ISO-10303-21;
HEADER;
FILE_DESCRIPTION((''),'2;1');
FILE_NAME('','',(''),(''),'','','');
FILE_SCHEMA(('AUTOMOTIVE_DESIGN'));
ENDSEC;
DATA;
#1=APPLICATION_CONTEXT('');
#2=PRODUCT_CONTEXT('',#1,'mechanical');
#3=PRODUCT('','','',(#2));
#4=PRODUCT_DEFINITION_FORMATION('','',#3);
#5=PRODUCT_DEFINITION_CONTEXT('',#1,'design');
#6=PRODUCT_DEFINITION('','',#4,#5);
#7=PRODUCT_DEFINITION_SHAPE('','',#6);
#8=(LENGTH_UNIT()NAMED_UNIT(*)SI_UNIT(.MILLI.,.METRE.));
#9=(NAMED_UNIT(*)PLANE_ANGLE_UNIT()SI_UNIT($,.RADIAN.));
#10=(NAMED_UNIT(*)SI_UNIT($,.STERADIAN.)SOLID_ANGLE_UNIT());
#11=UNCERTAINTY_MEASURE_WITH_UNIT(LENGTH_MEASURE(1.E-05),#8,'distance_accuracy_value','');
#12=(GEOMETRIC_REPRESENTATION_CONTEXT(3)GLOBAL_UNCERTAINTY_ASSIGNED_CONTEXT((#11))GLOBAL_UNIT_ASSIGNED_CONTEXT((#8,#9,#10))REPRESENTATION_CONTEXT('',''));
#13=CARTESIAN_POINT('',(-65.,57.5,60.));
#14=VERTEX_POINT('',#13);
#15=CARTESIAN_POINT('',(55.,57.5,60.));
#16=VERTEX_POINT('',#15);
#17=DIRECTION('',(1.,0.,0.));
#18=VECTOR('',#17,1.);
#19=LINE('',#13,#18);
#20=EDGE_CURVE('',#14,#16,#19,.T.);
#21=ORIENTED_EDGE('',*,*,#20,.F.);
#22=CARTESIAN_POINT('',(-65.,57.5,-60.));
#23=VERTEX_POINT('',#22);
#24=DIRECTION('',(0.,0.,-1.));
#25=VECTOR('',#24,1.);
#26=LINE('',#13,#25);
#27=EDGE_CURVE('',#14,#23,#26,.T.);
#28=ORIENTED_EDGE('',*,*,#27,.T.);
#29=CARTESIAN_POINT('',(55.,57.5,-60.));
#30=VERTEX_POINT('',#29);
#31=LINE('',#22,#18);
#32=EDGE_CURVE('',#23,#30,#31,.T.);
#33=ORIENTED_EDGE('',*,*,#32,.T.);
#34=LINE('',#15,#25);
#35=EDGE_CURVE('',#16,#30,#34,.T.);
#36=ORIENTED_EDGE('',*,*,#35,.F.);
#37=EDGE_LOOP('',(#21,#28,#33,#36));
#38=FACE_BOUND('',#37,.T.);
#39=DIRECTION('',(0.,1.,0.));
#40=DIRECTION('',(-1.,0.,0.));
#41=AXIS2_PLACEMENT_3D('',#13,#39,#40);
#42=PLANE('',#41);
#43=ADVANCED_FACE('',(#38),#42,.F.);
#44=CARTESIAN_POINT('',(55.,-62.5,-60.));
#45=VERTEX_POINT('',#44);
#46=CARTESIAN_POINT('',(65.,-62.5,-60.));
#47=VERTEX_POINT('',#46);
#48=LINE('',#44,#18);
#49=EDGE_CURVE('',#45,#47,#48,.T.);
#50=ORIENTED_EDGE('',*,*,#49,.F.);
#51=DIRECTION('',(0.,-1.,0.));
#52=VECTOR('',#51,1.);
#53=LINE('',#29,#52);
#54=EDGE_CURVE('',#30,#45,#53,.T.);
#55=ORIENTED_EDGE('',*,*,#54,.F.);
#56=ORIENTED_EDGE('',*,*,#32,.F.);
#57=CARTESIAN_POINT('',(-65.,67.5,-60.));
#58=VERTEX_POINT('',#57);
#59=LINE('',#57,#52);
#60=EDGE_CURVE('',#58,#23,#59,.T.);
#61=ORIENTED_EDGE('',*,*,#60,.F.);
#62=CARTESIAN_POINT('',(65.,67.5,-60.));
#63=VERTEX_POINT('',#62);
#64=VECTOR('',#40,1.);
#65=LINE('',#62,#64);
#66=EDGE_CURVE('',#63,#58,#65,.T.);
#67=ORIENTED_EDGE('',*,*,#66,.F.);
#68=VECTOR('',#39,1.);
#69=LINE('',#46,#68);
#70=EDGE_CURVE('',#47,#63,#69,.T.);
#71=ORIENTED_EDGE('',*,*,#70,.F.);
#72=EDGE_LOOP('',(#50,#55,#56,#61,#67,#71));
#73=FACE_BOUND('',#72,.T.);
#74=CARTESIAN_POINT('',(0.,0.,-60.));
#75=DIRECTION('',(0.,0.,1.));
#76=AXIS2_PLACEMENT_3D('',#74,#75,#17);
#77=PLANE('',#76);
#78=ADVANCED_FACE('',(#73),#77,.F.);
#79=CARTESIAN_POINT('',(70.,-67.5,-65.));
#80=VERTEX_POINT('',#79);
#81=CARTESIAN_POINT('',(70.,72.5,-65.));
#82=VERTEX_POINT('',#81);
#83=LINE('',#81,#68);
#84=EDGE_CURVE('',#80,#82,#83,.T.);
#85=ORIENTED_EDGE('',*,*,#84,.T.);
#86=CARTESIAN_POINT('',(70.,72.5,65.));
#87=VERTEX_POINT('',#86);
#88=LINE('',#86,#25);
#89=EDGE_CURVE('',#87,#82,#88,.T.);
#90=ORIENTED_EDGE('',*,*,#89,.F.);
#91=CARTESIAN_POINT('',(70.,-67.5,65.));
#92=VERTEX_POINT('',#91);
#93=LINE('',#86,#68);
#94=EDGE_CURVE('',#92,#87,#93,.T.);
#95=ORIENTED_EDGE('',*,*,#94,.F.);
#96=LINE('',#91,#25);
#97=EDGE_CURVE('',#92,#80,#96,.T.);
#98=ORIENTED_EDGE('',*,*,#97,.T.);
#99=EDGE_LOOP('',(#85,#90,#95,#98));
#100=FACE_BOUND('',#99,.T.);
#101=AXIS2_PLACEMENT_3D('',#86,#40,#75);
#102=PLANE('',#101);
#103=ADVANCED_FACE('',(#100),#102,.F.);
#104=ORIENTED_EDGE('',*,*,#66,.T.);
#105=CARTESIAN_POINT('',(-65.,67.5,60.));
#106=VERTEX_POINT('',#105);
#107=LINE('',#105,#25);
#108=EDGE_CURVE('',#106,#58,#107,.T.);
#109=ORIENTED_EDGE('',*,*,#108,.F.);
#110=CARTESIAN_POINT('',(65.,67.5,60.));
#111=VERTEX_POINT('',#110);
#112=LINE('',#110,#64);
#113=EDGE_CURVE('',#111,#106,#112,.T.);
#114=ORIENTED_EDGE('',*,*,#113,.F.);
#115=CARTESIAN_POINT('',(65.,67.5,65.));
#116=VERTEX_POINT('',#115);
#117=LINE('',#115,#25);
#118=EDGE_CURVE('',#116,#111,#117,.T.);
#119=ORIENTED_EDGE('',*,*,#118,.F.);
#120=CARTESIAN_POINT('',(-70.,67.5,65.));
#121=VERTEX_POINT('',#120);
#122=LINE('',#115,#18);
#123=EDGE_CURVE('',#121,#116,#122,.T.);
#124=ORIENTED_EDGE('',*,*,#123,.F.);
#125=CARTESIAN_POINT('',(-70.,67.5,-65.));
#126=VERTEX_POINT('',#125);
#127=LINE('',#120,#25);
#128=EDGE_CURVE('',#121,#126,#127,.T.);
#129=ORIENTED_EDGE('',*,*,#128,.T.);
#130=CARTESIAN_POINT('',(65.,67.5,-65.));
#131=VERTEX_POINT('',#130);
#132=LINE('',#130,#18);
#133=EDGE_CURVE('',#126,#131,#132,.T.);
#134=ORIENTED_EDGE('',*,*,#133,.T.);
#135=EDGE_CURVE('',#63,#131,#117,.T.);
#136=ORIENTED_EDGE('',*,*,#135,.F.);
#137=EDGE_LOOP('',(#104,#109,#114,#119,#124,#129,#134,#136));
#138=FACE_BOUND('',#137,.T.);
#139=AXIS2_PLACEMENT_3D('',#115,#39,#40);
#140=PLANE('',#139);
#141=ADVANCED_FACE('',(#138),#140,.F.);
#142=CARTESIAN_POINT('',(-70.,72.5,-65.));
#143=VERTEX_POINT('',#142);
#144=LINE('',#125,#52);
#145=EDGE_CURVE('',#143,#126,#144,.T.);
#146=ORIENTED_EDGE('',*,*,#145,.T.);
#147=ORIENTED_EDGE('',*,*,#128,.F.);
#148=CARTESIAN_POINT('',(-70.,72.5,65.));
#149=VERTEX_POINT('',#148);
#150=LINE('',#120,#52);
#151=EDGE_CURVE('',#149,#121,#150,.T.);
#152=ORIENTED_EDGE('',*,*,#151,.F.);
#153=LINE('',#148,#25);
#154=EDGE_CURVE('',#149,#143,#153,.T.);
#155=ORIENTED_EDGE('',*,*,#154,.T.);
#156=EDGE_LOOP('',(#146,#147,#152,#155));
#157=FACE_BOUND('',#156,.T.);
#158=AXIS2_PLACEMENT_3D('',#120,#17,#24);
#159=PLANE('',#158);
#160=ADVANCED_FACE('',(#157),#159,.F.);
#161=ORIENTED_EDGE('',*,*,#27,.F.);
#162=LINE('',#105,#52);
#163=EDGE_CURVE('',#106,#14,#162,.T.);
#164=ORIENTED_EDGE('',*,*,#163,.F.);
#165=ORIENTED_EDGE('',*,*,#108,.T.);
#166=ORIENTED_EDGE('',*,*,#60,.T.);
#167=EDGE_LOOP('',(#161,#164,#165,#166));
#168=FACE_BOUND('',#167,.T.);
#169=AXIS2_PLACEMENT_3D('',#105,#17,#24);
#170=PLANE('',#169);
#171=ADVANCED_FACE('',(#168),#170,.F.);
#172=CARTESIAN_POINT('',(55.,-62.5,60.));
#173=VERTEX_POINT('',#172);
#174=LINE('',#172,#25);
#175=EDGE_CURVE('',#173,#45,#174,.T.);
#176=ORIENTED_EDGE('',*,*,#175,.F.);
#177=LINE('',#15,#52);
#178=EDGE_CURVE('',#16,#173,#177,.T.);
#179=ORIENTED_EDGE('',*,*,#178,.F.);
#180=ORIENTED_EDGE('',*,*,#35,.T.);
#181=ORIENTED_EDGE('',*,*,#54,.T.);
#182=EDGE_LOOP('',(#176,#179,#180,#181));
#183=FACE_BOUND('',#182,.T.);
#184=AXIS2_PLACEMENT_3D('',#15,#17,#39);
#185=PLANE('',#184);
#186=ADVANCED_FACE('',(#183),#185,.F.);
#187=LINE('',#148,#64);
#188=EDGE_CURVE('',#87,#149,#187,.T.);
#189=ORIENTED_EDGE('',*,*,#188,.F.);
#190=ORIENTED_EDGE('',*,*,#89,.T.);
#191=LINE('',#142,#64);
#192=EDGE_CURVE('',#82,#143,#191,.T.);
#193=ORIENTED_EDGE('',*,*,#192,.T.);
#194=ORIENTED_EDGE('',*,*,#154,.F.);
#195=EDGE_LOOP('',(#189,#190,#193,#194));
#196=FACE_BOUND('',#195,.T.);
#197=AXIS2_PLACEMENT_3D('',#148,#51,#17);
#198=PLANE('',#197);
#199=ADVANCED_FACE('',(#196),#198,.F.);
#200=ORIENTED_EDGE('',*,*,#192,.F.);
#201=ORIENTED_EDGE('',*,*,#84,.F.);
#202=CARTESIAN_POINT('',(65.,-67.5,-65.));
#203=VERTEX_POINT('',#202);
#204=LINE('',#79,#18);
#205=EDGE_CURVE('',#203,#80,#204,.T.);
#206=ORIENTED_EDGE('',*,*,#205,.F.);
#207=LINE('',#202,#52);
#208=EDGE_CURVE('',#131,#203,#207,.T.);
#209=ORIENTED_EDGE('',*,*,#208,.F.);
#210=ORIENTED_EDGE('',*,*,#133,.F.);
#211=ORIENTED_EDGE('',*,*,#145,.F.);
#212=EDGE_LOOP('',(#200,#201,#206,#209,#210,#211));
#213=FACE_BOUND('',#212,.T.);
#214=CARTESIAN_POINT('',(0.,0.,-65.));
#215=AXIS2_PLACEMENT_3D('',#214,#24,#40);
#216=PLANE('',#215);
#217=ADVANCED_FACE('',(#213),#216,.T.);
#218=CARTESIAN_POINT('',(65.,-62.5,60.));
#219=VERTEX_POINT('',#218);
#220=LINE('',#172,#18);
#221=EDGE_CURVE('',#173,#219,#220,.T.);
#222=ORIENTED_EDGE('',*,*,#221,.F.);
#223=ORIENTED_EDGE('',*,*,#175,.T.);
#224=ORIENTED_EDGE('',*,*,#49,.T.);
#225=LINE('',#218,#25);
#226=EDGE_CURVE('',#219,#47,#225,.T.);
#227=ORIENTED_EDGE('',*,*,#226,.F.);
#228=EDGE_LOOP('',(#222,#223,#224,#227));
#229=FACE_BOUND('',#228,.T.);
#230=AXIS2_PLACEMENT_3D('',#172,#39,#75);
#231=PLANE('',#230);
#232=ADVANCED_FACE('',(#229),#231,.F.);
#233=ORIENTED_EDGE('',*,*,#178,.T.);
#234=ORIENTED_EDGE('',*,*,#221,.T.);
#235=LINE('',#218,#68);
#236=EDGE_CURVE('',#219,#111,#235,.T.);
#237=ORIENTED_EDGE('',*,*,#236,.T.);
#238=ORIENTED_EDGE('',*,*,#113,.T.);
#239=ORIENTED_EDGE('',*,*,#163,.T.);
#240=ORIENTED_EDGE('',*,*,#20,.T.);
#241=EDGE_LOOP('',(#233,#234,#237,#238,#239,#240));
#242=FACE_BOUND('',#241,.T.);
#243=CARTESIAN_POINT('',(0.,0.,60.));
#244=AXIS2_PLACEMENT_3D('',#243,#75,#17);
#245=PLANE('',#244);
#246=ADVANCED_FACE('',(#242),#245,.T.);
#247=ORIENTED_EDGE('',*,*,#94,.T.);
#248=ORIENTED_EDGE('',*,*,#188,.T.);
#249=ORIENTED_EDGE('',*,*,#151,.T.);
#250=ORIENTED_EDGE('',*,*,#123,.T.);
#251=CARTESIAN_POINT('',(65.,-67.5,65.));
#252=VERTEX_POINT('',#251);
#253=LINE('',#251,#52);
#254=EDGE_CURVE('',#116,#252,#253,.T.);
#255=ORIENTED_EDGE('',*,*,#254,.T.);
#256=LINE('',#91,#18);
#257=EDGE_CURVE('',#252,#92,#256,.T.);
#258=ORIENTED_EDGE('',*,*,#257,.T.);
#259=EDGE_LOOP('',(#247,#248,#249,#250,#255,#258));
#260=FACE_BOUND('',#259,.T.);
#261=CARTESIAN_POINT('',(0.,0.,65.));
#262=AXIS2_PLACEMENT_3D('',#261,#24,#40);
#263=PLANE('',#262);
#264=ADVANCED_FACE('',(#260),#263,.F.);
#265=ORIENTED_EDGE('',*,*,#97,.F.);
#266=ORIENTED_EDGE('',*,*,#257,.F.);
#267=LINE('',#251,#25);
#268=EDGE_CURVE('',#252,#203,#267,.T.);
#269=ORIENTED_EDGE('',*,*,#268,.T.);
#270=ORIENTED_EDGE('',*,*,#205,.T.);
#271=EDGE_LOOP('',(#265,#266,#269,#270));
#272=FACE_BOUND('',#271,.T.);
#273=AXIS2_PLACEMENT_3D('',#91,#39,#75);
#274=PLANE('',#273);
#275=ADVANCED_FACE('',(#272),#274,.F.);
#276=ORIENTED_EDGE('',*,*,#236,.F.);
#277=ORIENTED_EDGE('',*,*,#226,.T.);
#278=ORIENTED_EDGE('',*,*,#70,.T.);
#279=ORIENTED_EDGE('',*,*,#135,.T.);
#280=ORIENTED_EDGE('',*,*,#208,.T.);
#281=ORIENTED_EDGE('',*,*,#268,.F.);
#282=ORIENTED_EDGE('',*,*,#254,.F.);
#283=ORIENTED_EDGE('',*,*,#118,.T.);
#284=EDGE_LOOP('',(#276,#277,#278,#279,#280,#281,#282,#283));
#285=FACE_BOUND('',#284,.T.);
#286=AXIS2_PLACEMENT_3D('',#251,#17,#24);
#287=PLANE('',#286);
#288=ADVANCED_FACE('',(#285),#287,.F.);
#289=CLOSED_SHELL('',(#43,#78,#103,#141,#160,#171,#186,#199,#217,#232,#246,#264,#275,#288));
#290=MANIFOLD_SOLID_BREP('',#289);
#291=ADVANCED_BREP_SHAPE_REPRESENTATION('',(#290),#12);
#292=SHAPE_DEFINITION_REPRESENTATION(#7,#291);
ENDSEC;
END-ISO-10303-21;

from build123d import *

# Parameters (mm, degrees)
SALIENTE_EXTRUIR1_DEPTH = 65
SALIENTE_EXTRUIR2_DEPTH = 60


with BuildPart() as part:
    # Croquis1 → Saliente-Extruir1 (new, symmetric)
    with BuildSketch(Plane.XY):
        Polygon((-70, 72.5), (70, 72.5), (70, -67.5), (65, -67.5), (65, 67.5), (-70, 67.5), align=None)
    extrude(amount=SALIENTE_EXTRUIR1_DEPTH, both=True)

    # Croquis2 → Saliente-Extruir2 (add, symmetric)
    with BuildSketch(Plane.XY):
        Polygon((-65, 67.5), (-65, 57.5), (55, 57.5), (55, -62.5), (65, -62.5), (65, 67.5), align=None)
    extrude(amount=SALIENTE_EXTRUIR2_DEPTH, both=True)


solid = part.part
